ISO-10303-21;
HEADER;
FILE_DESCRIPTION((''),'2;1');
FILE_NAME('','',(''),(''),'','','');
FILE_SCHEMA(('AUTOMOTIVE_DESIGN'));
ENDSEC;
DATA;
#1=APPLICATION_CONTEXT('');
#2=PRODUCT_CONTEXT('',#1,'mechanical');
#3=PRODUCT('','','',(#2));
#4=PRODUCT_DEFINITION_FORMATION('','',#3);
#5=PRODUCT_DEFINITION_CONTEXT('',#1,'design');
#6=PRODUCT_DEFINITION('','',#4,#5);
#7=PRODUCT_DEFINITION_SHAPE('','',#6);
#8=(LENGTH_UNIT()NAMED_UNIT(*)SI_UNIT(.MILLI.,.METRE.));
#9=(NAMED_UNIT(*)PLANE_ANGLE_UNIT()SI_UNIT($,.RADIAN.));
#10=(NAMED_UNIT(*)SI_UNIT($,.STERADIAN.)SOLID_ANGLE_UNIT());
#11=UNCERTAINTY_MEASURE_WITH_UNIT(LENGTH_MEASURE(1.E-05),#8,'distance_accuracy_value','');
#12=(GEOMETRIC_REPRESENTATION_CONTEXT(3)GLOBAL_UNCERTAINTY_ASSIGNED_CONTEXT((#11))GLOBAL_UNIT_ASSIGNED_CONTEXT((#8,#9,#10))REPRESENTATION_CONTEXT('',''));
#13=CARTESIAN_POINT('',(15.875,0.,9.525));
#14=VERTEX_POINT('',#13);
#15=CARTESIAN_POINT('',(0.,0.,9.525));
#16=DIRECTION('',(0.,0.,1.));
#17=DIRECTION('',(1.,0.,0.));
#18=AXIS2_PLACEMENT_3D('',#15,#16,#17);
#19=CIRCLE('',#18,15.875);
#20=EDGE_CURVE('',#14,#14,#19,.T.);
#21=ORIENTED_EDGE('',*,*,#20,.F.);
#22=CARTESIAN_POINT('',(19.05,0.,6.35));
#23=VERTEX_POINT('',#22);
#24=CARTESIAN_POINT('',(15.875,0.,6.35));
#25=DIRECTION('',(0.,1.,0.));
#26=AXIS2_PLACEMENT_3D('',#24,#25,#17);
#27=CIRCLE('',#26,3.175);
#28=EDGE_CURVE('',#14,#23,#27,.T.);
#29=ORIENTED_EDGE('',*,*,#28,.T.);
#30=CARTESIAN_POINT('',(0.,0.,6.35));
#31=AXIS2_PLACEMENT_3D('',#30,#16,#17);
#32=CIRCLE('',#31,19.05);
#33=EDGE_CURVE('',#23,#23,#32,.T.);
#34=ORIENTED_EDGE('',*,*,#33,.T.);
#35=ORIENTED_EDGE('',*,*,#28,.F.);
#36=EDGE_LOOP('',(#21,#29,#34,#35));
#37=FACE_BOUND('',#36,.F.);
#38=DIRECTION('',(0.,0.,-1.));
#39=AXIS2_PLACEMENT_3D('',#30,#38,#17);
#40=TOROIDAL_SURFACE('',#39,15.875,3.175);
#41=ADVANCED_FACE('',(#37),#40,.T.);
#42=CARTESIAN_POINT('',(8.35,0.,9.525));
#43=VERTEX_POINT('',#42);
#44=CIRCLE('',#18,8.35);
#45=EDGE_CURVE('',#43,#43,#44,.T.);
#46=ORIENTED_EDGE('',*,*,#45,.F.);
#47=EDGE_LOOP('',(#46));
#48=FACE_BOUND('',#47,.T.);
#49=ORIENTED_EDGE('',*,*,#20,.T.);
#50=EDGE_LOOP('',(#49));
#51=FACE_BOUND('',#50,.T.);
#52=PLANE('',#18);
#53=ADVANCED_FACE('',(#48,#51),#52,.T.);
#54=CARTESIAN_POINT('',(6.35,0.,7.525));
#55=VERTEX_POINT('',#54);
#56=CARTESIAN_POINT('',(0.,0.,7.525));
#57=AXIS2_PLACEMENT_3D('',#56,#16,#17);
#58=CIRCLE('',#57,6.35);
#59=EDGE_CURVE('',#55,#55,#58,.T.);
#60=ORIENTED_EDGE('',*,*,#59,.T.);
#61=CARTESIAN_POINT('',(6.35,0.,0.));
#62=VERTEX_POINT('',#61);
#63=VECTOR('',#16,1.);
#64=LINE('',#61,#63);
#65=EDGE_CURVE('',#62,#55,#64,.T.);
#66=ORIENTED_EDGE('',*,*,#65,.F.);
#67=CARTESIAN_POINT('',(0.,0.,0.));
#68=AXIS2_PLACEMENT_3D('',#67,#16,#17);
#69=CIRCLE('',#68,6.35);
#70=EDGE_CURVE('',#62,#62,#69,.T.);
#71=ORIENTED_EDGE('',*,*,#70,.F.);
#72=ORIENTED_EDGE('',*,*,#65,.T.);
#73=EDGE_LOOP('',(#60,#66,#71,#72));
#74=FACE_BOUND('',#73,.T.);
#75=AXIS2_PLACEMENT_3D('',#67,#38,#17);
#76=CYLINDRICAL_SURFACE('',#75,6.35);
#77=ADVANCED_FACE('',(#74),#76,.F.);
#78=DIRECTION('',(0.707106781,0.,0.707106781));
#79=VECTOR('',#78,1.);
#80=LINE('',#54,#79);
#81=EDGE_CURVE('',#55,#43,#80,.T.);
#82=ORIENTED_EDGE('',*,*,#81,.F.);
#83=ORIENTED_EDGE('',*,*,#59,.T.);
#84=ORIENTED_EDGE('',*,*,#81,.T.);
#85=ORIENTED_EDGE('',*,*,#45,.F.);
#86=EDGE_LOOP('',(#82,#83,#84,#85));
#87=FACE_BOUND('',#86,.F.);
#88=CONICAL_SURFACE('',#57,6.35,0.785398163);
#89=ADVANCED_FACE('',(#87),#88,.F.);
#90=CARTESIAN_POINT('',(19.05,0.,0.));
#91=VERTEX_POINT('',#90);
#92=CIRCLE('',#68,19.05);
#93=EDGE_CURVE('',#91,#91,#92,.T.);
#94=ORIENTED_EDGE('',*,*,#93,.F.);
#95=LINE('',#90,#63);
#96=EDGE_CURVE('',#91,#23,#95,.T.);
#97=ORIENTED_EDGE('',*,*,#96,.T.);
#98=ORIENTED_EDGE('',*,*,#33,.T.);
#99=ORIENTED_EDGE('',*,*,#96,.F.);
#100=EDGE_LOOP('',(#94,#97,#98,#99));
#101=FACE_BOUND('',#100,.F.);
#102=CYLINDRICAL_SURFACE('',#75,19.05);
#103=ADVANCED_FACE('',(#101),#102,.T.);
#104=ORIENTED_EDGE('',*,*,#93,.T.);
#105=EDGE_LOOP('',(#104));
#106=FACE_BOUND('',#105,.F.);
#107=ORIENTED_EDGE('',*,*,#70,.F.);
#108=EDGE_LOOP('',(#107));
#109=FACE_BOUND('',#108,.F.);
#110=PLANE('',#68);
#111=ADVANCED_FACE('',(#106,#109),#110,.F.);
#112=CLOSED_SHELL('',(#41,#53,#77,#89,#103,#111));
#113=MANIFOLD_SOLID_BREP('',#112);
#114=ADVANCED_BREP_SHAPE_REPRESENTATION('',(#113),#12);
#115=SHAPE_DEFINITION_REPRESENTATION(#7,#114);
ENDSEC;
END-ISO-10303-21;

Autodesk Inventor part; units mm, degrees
ref_plane "YZ Plane" through (0, 0, 0) normal (1, 0, 0) x (0, 1, 0)
ref_plane "XZ Plane" through (0, 0, 0) normal (0, 1, 0) x (-1, 0, 0)
ref_plane "XY Plane" through (0, 0, 0) normal (0, 0, 1) x (1, 0, 0)
sketch "Sketch1" plane through (0, 0, 0) normal (0, 0, 1) x (1, 0, 0)
  circle A0 centre (0, 0) radius 19.05
  circle A1 centre (0, 0) radius 6.35
  point P0 (0, -19.05)
  point P1 (0, 19.05)
  dimension "d0" = 38.1
  dimension "d1" = 12.7
extrude "Extrusion1" add sketch "Sketch1" along normal blind 9.525
chamfer "Chamfer1" distance 2 angle 45 1 edges at (-6.35, 0, 9.525)
fillet "Fillet2" radius 3.175 1 edges at (-19.05, 0, 9.525)
properties part number "PIVOT_SPACERS,TREBUCHET" material "Wood (Oak)"
